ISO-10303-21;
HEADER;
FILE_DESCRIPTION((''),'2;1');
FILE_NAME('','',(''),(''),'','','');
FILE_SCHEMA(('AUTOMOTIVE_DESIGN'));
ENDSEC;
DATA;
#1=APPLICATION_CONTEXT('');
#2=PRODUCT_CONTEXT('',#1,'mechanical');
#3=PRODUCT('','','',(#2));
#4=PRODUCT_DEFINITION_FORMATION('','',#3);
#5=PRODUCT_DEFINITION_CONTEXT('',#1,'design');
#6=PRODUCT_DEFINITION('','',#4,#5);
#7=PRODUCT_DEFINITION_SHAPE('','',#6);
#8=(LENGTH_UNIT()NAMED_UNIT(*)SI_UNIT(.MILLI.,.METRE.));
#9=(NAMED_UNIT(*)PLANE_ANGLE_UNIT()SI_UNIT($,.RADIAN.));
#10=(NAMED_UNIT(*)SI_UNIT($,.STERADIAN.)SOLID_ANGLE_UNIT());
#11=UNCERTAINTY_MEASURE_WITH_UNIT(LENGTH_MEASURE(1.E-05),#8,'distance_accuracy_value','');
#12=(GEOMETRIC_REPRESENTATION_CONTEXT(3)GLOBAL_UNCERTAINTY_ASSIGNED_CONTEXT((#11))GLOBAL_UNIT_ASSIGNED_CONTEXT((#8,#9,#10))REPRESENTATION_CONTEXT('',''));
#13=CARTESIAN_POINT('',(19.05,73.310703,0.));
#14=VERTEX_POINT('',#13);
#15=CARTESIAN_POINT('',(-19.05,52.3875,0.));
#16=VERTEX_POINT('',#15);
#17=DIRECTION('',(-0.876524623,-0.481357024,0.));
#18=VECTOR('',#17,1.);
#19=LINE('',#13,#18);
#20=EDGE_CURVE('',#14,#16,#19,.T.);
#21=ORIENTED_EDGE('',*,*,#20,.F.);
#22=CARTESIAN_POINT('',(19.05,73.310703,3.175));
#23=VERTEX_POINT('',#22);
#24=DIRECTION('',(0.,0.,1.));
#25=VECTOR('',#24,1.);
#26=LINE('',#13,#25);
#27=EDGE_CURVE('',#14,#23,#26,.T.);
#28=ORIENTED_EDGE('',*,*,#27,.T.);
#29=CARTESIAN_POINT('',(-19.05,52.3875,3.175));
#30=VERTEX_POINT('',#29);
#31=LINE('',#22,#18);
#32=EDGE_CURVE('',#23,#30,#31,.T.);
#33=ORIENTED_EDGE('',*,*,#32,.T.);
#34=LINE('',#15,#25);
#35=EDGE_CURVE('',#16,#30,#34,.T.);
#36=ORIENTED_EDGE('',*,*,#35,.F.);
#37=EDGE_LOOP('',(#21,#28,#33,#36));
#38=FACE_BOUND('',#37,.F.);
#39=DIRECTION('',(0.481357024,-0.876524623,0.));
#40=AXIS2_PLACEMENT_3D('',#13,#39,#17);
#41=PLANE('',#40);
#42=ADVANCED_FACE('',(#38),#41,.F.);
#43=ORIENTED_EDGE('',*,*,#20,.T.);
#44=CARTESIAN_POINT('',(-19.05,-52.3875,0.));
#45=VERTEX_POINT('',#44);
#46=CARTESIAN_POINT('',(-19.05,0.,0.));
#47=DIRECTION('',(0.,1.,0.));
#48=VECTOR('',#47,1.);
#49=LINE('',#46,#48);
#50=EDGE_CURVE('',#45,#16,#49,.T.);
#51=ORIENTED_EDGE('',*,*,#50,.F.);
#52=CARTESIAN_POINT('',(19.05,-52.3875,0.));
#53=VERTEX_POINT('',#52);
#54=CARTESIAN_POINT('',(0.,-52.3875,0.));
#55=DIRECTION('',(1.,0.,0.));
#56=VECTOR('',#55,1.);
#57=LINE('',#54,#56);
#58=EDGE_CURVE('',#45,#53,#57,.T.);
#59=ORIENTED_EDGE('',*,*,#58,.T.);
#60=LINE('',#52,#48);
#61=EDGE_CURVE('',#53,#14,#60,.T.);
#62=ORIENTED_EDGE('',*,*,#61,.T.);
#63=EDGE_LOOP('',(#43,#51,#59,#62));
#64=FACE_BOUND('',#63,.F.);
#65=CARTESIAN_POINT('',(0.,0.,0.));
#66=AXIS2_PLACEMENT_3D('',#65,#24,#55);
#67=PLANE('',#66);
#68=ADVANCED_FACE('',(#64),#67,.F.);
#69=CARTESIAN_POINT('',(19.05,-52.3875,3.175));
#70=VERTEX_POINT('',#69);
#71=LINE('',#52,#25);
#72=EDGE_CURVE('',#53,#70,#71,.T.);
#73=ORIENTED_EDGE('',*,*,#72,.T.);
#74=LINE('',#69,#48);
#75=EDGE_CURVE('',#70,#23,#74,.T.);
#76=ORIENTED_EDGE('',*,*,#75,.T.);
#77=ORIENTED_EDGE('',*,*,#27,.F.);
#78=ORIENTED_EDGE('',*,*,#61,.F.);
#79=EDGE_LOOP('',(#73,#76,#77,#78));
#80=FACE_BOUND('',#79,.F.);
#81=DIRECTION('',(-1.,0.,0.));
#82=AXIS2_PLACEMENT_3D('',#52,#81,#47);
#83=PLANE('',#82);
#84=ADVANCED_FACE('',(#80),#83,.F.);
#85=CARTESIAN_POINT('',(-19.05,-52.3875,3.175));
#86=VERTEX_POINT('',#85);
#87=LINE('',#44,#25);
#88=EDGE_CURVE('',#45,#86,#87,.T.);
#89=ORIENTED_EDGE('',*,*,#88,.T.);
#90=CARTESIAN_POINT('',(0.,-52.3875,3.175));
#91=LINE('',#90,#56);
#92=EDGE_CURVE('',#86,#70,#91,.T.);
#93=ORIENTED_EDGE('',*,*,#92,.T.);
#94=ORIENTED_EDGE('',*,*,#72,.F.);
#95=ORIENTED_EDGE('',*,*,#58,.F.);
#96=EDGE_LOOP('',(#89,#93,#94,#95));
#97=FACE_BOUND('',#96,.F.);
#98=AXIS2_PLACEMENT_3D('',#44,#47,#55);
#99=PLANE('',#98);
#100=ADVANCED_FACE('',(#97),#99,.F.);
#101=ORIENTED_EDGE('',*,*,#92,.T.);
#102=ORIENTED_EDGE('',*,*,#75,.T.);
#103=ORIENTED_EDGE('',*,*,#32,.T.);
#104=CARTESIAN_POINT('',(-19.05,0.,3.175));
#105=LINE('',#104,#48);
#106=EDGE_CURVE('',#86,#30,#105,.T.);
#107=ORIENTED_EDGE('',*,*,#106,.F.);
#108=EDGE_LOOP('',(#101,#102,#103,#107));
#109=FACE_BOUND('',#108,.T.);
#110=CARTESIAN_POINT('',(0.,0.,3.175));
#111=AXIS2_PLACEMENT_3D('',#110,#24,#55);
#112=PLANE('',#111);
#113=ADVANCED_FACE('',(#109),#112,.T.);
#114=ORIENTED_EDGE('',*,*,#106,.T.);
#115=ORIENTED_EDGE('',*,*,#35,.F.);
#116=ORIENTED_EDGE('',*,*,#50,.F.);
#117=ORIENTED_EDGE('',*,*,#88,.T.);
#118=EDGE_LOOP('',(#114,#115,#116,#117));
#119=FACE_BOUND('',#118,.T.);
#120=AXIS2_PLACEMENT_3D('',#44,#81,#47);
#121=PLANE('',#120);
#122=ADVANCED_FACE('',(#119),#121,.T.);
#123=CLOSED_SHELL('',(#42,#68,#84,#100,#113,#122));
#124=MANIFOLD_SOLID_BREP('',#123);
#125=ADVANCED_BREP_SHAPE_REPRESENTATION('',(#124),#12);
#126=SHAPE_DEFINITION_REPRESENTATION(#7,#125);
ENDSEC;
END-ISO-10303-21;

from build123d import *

# Parameters (mm, degrees)
F0_W     = 38.1
F0_H     = 104.775
F1_DEPTH = 3.175


with BuildPart() as f1:
    # F0 (on Top) → F1 (new body)
    with BuildSketch(Plane.XY):
        Rectangle(F0_W, F0_H)
        Polygon((-19.05, 52.3875), (19.05, 52.3875), (19.05, 73.310703), align=None)
    extrude(amount=F1_DEPTH)


solid = f1.part
